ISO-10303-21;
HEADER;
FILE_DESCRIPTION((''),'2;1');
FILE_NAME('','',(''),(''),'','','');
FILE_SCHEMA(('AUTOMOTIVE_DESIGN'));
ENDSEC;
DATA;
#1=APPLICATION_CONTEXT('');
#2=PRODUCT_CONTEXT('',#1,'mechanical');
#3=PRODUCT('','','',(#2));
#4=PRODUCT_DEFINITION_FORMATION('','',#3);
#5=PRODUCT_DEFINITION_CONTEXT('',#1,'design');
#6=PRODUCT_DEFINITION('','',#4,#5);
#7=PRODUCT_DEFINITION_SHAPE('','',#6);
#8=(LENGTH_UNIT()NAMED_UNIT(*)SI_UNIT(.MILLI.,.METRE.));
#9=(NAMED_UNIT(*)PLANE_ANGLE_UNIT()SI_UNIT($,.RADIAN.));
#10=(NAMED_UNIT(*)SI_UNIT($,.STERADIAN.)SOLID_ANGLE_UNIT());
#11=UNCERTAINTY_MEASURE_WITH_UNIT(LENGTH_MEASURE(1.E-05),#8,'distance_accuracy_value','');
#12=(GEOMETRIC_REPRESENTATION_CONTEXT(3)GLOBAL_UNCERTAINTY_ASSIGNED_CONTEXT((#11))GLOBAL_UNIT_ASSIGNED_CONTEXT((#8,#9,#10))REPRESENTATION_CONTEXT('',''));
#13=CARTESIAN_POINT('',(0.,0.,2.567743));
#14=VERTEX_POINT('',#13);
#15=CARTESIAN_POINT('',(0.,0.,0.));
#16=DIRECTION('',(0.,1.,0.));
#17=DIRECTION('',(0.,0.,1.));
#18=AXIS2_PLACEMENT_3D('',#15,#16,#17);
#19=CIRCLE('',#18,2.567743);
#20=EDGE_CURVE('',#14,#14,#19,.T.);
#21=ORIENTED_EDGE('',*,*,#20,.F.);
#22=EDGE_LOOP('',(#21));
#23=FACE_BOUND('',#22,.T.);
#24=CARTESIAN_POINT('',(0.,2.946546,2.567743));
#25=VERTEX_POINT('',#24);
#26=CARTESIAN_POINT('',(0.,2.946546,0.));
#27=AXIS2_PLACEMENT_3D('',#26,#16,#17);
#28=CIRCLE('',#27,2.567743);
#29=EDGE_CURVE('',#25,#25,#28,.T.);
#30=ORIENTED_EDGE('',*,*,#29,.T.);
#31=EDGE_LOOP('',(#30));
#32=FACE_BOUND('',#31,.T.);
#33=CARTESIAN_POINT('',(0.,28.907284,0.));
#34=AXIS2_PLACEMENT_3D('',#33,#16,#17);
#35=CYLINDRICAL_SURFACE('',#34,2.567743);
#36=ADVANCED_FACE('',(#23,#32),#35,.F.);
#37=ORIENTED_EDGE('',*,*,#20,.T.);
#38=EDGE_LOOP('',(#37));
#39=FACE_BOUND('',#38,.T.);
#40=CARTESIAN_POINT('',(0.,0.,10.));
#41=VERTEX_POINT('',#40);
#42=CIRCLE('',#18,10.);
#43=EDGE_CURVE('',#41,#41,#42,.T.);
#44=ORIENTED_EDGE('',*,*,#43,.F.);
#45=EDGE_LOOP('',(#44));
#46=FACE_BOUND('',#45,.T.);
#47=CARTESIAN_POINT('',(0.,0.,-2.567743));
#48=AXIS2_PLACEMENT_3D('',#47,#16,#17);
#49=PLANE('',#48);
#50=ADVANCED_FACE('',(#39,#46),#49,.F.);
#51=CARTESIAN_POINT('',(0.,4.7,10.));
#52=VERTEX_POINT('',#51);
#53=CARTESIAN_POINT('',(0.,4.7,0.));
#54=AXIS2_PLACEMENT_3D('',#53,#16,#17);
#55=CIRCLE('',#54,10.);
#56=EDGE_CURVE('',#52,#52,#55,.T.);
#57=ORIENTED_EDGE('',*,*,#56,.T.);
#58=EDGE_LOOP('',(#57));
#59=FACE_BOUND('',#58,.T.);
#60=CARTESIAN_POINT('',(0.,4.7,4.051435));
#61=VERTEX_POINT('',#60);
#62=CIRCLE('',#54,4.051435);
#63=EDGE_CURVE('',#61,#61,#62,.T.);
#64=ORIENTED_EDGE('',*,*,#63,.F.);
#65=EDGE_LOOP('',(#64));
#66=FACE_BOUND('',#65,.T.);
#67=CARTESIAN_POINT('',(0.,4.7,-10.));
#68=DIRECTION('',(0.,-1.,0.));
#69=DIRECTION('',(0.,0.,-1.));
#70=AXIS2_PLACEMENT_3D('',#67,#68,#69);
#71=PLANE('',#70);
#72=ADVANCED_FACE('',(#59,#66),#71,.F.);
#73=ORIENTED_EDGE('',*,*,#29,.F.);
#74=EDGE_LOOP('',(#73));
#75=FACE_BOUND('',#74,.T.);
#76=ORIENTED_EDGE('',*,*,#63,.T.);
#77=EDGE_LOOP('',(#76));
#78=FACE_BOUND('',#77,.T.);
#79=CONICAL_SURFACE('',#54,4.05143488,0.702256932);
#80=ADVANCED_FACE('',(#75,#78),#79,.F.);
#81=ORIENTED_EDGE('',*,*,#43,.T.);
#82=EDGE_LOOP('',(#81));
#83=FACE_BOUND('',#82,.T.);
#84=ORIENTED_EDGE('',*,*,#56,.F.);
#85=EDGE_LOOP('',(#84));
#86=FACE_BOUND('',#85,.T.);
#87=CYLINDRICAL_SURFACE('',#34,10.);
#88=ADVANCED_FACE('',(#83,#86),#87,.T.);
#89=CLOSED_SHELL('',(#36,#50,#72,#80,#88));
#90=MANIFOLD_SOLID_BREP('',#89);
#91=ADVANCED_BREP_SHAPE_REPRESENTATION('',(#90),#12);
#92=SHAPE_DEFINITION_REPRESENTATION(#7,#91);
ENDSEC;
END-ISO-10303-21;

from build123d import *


with BuildPart() as part:
    # Эскиз1 → Повернуть1 (revolve)
    with BuildSketch(Plane(origin=(0, 0, 0), x_dir=(0, 0, -1), z_dir=(1, 0, 0))):
        Polygon((2.567742884, 0), (10, 0), (10, 4.7), (4.05143488, 4.7), (2.567742884, 2.946545823), align=None)
    revolve(axis=Axis((0, 28.90728443, 0), (0, -1, 0)))


solid = part.part
